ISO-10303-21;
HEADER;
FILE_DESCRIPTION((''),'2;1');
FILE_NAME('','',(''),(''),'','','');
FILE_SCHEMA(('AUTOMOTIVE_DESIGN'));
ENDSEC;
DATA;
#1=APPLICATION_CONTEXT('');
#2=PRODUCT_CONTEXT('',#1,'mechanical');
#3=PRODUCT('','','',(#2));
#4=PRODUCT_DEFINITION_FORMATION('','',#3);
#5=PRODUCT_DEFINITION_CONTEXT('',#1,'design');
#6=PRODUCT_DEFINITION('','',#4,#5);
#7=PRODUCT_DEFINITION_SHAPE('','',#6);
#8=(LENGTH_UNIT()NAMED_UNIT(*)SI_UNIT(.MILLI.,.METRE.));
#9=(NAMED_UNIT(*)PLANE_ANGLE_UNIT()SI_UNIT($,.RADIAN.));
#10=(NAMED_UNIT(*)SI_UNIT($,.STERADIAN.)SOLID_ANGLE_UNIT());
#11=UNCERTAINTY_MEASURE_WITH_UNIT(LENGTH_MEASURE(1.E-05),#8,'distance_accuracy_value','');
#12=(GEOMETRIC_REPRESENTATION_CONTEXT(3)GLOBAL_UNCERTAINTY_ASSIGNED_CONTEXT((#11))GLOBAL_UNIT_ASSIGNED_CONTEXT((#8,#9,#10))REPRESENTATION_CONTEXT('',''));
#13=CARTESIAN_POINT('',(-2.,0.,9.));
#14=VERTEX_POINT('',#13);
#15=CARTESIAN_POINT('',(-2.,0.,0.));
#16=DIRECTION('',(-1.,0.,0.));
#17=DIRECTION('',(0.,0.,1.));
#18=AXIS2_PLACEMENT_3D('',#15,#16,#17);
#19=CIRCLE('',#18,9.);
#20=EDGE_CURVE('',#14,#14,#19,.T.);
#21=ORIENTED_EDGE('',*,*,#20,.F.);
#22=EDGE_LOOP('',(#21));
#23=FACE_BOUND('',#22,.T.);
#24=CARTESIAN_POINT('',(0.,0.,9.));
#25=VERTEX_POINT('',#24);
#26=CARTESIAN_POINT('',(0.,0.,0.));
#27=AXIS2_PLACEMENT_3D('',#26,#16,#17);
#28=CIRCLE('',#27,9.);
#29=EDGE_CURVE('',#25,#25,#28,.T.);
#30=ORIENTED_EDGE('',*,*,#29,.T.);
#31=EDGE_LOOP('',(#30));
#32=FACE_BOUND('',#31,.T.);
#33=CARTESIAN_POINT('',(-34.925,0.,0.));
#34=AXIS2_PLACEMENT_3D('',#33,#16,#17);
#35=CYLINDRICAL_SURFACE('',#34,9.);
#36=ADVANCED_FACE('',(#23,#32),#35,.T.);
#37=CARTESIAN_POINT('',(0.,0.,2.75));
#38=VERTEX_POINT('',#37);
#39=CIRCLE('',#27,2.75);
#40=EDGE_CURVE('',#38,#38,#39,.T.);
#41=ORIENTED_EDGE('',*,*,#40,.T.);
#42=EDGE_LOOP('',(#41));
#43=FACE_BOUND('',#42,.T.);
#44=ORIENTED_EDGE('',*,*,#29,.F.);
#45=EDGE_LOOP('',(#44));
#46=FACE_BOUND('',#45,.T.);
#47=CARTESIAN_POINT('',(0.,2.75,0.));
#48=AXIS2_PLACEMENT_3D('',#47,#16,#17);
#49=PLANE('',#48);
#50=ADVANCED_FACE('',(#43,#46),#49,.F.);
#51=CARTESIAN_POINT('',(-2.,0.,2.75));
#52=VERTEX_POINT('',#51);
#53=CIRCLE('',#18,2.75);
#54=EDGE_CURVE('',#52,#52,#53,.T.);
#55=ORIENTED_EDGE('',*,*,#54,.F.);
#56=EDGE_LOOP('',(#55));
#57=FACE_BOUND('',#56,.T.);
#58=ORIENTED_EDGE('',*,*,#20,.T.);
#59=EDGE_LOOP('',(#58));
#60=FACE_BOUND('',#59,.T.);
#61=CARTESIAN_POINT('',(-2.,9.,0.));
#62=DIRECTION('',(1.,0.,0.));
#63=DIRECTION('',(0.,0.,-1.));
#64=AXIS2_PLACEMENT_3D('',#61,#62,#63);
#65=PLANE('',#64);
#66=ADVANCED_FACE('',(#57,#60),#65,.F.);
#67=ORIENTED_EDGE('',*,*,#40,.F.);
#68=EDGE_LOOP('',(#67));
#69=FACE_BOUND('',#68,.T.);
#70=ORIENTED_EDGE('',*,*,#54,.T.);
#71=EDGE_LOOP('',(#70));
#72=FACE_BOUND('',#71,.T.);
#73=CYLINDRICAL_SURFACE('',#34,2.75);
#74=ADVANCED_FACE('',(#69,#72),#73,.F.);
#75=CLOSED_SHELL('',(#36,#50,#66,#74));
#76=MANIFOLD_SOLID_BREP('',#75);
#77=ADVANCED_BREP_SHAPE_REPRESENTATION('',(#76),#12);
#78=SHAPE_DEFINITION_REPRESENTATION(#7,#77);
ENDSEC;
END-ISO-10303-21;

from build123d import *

# Parameters (mm, degrees)
SKETCH1_W = 2
SKETCH1_H = 6.25


with BuildPart() as part:
    # Sketch1 → Base-Revolve (revolve)
    with BuildSketch(Plane.XY):
        with Locations((-1, 5.875)):
            Rectangle(SKETCH1_W, SKETCH1_H)
    revolve(axis=Axis((-34.925, 0, 0), (1, 0, 0)))


solid = part.part
